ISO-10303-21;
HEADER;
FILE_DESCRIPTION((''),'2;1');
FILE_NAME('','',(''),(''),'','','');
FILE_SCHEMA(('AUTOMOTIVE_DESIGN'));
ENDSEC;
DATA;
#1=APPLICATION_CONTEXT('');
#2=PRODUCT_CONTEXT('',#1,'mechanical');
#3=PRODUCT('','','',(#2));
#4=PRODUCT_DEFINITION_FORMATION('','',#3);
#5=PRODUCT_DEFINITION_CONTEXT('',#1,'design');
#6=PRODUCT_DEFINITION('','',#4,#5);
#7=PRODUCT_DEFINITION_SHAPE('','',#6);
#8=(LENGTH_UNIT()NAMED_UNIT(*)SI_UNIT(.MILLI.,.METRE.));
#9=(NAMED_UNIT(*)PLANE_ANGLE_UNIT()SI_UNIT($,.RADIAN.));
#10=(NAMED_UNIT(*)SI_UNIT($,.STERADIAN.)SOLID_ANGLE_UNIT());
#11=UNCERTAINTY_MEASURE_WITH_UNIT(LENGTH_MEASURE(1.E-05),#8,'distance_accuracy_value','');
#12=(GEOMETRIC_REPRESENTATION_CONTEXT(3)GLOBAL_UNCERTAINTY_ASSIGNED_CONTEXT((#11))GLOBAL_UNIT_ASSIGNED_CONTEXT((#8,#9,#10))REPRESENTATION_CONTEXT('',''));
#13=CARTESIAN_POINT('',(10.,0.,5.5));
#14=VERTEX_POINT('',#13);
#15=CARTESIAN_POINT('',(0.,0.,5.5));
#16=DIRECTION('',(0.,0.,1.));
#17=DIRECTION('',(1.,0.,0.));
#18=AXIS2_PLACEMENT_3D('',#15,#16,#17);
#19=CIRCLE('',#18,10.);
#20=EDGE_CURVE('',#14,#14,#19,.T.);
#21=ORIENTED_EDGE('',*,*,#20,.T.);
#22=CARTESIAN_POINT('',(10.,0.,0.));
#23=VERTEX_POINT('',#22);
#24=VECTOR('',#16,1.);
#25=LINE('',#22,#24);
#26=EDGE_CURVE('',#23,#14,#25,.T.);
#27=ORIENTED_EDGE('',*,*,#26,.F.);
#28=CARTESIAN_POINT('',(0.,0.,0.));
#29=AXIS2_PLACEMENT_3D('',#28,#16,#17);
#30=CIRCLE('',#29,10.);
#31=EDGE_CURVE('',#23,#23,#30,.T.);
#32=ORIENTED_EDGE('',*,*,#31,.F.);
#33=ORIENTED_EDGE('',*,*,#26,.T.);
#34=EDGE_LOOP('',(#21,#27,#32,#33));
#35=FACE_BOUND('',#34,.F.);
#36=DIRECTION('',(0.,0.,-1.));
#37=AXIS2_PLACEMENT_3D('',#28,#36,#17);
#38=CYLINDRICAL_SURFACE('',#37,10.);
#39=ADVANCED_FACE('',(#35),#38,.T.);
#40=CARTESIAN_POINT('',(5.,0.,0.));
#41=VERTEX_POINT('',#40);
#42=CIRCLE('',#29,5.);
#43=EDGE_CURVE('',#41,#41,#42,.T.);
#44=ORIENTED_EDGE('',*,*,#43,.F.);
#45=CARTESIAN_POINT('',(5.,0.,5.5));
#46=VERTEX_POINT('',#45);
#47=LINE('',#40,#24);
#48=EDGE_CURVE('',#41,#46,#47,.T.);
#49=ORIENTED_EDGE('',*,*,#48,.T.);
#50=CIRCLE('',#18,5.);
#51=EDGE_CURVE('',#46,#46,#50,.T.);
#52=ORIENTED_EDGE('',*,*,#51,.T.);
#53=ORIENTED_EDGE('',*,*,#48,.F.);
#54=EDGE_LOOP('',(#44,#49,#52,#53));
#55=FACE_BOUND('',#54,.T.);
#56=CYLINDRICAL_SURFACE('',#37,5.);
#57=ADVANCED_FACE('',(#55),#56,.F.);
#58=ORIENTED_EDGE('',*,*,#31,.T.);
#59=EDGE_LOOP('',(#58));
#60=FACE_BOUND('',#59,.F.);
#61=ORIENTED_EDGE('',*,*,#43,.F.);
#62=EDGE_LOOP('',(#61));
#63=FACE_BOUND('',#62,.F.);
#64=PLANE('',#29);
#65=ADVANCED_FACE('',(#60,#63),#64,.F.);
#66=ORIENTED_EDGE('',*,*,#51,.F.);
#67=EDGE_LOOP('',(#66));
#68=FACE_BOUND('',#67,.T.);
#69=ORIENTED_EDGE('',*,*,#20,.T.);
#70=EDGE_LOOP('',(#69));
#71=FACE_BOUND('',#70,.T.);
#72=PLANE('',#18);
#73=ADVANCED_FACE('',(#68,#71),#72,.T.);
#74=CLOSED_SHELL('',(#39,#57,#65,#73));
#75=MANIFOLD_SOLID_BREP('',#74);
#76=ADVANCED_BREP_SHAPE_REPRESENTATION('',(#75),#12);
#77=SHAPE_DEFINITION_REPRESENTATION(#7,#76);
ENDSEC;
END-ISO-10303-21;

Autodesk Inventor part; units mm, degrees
ref_plane "YZ Plane" through (0, 0, 0) normal (1, 0, 0) x (0, 1, 0)
ref_plane "XZ Plane" through (0, 0, 0) normal (0, 1, 0) x (-1, 0, 0)
ref_plane "XY Plane" through (0, 0, 0) normal (0, 0, 1) x (1, 0, 0)
sketch "スケッチ1" plane through (0, 0, 0) normal (0, 0, 1) x (1, 0, 0)
  circle A0 centre (0, 0) radius 5
  circle A1 centre (0, 0) radius 10
  dimension "d0" = 10
  dimension "d1" = 20
extrude "押し出し1" add sketch "スケッチ1" along normal blind 5.5
properties part number "3.5mm_spacer"
